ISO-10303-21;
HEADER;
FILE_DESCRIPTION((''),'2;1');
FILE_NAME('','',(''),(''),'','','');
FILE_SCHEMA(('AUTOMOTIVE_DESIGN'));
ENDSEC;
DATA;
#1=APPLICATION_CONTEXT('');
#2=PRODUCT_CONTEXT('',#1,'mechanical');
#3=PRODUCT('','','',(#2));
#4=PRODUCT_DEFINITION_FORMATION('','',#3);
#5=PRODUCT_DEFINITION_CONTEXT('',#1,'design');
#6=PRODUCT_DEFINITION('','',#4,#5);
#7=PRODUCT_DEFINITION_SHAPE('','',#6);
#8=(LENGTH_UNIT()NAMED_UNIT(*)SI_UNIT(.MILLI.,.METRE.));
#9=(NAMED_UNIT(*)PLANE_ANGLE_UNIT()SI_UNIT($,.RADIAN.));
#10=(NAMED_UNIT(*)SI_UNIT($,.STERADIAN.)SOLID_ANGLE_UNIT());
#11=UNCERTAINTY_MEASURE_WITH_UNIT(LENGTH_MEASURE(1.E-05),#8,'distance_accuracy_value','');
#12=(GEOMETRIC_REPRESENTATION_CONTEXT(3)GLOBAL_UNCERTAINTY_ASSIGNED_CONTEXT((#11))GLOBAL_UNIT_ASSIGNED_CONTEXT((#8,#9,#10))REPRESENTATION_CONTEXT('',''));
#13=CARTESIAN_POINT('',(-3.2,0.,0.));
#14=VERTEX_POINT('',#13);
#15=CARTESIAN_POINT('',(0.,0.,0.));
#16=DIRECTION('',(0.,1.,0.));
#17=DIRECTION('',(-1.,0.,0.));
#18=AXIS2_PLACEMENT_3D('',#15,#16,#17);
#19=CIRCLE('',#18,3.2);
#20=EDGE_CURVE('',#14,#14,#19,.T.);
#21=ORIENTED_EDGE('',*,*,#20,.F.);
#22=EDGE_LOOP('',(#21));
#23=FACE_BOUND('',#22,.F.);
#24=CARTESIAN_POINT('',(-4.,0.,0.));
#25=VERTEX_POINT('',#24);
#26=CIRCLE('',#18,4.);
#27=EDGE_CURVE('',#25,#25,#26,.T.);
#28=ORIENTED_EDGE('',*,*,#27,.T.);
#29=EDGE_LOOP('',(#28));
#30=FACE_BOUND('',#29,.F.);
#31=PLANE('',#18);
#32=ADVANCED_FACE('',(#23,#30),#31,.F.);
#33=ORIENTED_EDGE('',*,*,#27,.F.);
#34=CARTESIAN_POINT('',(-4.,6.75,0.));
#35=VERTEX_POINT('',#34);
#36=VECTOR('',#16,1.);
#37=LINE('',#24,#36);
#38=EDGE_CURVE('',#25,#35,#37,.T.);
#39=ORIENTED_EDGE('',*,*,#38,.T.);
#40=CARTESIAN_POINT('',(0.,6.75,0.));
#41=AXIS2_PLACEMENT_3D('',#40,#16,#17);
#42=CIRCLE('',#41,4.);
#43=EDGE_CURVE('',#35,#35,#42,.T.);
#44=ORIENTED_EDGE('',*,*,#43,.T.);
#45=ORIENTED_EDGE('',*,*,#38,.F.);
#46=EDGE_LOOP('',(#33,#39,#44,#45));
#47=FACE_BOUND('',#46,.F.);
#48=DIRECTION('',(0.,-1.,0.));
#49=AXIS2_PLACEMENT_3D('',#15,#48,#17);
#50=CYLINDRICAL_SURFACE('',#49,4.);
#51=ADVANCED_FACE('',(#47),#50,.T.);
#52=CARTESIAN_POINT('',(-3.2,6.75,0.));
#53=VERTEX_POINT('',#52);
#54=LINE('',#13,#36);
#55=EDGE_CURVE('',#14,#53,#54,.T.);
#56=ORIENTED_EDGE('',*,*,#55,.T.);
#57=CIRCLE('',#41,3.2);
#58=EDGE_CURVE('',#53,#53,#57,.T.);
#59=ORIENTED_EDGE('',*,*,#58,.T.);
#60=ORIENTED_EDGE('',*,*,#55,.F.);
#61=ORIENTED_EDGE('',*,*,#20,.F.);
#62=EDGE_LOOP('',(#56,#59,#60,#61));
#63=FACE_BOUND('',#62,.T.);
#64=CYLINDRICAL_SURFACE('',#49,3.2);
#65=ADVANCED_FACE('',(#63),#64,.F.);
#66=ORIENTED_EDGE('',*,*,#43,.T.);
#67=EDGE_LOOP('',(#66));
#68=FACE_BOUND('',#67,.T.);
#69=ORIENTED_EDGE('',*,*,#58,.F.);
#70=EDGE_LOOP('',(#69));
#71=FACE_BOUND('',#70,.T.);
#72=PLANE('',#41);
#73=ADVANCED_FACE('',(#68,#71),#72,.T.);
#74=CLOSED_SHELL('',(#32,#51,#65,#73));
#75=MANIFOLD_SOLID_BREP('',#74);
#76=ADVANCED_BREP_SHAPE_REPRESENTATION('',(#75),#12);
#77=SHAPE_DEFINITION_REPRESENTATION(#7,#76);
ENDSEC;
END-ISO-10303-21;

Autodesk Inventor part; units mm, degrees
ref_plane "YZ Plane" through (0, 0, 0) normal (1, 0, 0) x (0, 1, 0)
ref_plane "XZ Plane" through (0, 0, 0) normal (0, 1, 0) x (-1, 0, 0)
ref_plane "XY Plane" through (0, 0, 0) normal (0, 0, 1) x (1, 0, 0)
sketch "Sketch1" plane through (0, 0, 0) normal (0, 1, 0) x (-1, 0, 0)
  circle A0 centre (0, 0) radius 3.2
  circle A1 centre (0, 0) radius 4
  dimension "d0" = 6.4
  dimension "d1" = 8
extrude "Extrusion1" add sketch "Sketch1" along normal blind 6.75
properties part number "brearingBushing"
